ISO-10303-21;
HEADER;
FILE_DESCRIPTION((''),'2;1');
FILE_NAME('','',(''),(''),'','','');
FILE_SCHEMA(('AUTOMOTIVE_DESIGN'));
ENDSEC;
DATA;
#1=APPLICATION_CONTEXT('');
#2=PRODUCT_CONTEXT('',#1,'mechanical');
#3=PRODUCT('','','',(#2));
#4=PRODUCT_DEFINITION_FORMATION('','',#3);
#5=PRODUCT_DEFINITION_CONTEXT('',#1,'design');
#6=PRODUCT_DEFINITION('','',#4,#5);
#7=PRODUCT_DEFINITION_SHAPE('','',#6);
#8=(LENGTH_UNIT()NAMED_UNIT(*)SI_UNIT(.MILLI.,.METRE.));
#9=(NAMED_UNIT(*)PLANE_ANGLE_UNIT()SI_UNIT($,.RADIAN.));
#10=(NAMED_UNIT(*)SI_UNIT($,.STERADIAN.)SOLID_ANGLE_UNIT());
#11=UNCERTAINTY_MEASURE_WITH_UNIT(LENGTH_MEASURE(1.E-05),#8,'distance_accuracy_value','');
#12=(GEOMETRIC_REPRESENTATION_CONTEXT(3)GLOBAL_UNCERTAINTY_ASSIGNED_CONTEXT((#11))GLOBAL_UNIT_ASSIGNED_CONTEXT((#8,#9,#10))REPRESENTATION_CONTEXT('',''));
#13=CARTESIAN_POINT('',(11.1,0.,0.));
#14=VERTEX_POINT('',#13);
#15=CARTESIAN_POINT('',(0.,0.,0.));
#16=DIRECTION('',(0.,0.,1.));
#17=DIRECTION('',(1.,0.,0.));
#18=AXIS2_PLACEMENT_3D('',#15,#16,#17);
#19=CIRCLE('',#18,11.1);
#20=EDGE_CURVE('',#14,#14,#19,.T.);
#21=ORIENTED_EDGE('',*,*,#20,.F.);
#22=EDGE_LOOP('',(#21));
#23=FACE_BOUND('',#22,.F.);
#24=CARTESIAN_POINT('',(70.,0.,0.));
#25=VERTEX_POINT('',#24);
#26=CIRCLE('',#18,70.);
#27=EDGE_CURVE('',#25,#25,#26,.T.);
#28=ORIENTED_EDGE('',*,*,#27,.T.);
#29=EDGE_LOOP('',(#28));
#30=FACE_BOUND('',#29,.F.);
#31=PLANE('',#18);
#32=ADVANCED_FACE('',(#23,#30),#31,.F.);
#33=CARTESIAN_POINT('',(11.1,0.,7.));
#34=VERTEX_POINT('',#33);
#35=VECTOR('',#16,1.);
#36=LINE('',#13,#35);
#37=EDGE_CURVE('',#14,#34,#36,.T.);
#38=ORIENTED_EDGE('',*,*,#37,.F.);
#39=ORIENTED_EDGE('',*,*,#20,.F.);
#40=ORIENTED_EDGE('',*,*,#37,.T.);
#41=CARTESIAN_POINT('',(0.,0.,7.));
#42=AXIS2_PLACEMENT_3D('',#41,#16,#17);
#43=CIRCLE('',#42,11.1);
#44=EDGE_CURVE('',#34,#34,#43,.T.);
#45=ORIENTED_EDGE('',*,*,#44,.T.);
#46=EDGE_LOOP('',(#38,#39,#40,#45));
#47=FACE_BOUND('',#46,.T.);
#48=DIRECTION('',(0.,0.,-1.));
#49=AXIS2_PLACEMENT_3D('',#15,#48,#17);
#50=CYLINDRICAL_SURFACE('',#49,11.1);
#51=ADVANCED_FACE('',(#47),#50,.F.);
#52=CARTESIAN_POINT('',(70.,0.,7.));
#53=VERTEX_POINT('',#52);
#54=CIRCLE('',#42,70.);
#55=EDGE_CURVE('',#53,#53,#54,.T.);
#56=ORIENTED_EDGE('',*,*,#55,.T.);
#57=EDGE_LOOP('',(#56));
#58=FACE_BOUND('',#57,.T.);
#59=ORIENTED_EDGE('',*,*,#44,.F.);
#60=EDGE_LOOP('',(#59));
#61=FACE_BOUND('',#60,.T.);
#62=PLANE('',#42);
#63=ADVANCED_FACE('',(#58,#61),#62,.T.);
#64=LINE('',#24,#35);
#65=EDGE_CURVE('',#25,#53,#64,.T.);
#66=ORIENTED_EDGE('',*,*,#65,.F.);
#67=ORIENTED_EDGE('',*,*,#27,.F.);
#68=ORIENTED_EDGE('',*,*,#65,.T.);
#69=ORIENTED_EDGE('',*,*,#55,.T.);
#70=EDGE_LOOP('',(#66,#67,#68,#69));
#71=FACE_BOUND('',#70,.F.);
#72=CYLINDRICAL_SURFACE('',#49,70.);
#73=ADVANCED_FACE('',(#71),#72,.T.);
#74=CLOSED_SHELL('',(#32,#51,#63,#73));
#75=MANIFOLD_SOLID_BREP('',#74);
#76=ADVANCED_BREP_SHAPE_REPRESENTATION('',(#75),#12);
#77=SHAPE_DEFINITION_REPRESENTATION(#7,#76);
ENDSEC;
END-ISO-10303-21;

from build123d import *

# Parameters (mm, degrees)
F0_R     = 70
F0_R_2   = 11.1
F1_DEPTH = 7


with BuildPart() as f1:
    # F0 (on Top) → F1 (new body)
    with BuildSketch(Plane.XY):
        Circle(F0_R)
        Circle(F0_R_2, mode=Mode.SUBTRACT)
    extrude(amount=F1_DEPTH)


solid = f1.part
